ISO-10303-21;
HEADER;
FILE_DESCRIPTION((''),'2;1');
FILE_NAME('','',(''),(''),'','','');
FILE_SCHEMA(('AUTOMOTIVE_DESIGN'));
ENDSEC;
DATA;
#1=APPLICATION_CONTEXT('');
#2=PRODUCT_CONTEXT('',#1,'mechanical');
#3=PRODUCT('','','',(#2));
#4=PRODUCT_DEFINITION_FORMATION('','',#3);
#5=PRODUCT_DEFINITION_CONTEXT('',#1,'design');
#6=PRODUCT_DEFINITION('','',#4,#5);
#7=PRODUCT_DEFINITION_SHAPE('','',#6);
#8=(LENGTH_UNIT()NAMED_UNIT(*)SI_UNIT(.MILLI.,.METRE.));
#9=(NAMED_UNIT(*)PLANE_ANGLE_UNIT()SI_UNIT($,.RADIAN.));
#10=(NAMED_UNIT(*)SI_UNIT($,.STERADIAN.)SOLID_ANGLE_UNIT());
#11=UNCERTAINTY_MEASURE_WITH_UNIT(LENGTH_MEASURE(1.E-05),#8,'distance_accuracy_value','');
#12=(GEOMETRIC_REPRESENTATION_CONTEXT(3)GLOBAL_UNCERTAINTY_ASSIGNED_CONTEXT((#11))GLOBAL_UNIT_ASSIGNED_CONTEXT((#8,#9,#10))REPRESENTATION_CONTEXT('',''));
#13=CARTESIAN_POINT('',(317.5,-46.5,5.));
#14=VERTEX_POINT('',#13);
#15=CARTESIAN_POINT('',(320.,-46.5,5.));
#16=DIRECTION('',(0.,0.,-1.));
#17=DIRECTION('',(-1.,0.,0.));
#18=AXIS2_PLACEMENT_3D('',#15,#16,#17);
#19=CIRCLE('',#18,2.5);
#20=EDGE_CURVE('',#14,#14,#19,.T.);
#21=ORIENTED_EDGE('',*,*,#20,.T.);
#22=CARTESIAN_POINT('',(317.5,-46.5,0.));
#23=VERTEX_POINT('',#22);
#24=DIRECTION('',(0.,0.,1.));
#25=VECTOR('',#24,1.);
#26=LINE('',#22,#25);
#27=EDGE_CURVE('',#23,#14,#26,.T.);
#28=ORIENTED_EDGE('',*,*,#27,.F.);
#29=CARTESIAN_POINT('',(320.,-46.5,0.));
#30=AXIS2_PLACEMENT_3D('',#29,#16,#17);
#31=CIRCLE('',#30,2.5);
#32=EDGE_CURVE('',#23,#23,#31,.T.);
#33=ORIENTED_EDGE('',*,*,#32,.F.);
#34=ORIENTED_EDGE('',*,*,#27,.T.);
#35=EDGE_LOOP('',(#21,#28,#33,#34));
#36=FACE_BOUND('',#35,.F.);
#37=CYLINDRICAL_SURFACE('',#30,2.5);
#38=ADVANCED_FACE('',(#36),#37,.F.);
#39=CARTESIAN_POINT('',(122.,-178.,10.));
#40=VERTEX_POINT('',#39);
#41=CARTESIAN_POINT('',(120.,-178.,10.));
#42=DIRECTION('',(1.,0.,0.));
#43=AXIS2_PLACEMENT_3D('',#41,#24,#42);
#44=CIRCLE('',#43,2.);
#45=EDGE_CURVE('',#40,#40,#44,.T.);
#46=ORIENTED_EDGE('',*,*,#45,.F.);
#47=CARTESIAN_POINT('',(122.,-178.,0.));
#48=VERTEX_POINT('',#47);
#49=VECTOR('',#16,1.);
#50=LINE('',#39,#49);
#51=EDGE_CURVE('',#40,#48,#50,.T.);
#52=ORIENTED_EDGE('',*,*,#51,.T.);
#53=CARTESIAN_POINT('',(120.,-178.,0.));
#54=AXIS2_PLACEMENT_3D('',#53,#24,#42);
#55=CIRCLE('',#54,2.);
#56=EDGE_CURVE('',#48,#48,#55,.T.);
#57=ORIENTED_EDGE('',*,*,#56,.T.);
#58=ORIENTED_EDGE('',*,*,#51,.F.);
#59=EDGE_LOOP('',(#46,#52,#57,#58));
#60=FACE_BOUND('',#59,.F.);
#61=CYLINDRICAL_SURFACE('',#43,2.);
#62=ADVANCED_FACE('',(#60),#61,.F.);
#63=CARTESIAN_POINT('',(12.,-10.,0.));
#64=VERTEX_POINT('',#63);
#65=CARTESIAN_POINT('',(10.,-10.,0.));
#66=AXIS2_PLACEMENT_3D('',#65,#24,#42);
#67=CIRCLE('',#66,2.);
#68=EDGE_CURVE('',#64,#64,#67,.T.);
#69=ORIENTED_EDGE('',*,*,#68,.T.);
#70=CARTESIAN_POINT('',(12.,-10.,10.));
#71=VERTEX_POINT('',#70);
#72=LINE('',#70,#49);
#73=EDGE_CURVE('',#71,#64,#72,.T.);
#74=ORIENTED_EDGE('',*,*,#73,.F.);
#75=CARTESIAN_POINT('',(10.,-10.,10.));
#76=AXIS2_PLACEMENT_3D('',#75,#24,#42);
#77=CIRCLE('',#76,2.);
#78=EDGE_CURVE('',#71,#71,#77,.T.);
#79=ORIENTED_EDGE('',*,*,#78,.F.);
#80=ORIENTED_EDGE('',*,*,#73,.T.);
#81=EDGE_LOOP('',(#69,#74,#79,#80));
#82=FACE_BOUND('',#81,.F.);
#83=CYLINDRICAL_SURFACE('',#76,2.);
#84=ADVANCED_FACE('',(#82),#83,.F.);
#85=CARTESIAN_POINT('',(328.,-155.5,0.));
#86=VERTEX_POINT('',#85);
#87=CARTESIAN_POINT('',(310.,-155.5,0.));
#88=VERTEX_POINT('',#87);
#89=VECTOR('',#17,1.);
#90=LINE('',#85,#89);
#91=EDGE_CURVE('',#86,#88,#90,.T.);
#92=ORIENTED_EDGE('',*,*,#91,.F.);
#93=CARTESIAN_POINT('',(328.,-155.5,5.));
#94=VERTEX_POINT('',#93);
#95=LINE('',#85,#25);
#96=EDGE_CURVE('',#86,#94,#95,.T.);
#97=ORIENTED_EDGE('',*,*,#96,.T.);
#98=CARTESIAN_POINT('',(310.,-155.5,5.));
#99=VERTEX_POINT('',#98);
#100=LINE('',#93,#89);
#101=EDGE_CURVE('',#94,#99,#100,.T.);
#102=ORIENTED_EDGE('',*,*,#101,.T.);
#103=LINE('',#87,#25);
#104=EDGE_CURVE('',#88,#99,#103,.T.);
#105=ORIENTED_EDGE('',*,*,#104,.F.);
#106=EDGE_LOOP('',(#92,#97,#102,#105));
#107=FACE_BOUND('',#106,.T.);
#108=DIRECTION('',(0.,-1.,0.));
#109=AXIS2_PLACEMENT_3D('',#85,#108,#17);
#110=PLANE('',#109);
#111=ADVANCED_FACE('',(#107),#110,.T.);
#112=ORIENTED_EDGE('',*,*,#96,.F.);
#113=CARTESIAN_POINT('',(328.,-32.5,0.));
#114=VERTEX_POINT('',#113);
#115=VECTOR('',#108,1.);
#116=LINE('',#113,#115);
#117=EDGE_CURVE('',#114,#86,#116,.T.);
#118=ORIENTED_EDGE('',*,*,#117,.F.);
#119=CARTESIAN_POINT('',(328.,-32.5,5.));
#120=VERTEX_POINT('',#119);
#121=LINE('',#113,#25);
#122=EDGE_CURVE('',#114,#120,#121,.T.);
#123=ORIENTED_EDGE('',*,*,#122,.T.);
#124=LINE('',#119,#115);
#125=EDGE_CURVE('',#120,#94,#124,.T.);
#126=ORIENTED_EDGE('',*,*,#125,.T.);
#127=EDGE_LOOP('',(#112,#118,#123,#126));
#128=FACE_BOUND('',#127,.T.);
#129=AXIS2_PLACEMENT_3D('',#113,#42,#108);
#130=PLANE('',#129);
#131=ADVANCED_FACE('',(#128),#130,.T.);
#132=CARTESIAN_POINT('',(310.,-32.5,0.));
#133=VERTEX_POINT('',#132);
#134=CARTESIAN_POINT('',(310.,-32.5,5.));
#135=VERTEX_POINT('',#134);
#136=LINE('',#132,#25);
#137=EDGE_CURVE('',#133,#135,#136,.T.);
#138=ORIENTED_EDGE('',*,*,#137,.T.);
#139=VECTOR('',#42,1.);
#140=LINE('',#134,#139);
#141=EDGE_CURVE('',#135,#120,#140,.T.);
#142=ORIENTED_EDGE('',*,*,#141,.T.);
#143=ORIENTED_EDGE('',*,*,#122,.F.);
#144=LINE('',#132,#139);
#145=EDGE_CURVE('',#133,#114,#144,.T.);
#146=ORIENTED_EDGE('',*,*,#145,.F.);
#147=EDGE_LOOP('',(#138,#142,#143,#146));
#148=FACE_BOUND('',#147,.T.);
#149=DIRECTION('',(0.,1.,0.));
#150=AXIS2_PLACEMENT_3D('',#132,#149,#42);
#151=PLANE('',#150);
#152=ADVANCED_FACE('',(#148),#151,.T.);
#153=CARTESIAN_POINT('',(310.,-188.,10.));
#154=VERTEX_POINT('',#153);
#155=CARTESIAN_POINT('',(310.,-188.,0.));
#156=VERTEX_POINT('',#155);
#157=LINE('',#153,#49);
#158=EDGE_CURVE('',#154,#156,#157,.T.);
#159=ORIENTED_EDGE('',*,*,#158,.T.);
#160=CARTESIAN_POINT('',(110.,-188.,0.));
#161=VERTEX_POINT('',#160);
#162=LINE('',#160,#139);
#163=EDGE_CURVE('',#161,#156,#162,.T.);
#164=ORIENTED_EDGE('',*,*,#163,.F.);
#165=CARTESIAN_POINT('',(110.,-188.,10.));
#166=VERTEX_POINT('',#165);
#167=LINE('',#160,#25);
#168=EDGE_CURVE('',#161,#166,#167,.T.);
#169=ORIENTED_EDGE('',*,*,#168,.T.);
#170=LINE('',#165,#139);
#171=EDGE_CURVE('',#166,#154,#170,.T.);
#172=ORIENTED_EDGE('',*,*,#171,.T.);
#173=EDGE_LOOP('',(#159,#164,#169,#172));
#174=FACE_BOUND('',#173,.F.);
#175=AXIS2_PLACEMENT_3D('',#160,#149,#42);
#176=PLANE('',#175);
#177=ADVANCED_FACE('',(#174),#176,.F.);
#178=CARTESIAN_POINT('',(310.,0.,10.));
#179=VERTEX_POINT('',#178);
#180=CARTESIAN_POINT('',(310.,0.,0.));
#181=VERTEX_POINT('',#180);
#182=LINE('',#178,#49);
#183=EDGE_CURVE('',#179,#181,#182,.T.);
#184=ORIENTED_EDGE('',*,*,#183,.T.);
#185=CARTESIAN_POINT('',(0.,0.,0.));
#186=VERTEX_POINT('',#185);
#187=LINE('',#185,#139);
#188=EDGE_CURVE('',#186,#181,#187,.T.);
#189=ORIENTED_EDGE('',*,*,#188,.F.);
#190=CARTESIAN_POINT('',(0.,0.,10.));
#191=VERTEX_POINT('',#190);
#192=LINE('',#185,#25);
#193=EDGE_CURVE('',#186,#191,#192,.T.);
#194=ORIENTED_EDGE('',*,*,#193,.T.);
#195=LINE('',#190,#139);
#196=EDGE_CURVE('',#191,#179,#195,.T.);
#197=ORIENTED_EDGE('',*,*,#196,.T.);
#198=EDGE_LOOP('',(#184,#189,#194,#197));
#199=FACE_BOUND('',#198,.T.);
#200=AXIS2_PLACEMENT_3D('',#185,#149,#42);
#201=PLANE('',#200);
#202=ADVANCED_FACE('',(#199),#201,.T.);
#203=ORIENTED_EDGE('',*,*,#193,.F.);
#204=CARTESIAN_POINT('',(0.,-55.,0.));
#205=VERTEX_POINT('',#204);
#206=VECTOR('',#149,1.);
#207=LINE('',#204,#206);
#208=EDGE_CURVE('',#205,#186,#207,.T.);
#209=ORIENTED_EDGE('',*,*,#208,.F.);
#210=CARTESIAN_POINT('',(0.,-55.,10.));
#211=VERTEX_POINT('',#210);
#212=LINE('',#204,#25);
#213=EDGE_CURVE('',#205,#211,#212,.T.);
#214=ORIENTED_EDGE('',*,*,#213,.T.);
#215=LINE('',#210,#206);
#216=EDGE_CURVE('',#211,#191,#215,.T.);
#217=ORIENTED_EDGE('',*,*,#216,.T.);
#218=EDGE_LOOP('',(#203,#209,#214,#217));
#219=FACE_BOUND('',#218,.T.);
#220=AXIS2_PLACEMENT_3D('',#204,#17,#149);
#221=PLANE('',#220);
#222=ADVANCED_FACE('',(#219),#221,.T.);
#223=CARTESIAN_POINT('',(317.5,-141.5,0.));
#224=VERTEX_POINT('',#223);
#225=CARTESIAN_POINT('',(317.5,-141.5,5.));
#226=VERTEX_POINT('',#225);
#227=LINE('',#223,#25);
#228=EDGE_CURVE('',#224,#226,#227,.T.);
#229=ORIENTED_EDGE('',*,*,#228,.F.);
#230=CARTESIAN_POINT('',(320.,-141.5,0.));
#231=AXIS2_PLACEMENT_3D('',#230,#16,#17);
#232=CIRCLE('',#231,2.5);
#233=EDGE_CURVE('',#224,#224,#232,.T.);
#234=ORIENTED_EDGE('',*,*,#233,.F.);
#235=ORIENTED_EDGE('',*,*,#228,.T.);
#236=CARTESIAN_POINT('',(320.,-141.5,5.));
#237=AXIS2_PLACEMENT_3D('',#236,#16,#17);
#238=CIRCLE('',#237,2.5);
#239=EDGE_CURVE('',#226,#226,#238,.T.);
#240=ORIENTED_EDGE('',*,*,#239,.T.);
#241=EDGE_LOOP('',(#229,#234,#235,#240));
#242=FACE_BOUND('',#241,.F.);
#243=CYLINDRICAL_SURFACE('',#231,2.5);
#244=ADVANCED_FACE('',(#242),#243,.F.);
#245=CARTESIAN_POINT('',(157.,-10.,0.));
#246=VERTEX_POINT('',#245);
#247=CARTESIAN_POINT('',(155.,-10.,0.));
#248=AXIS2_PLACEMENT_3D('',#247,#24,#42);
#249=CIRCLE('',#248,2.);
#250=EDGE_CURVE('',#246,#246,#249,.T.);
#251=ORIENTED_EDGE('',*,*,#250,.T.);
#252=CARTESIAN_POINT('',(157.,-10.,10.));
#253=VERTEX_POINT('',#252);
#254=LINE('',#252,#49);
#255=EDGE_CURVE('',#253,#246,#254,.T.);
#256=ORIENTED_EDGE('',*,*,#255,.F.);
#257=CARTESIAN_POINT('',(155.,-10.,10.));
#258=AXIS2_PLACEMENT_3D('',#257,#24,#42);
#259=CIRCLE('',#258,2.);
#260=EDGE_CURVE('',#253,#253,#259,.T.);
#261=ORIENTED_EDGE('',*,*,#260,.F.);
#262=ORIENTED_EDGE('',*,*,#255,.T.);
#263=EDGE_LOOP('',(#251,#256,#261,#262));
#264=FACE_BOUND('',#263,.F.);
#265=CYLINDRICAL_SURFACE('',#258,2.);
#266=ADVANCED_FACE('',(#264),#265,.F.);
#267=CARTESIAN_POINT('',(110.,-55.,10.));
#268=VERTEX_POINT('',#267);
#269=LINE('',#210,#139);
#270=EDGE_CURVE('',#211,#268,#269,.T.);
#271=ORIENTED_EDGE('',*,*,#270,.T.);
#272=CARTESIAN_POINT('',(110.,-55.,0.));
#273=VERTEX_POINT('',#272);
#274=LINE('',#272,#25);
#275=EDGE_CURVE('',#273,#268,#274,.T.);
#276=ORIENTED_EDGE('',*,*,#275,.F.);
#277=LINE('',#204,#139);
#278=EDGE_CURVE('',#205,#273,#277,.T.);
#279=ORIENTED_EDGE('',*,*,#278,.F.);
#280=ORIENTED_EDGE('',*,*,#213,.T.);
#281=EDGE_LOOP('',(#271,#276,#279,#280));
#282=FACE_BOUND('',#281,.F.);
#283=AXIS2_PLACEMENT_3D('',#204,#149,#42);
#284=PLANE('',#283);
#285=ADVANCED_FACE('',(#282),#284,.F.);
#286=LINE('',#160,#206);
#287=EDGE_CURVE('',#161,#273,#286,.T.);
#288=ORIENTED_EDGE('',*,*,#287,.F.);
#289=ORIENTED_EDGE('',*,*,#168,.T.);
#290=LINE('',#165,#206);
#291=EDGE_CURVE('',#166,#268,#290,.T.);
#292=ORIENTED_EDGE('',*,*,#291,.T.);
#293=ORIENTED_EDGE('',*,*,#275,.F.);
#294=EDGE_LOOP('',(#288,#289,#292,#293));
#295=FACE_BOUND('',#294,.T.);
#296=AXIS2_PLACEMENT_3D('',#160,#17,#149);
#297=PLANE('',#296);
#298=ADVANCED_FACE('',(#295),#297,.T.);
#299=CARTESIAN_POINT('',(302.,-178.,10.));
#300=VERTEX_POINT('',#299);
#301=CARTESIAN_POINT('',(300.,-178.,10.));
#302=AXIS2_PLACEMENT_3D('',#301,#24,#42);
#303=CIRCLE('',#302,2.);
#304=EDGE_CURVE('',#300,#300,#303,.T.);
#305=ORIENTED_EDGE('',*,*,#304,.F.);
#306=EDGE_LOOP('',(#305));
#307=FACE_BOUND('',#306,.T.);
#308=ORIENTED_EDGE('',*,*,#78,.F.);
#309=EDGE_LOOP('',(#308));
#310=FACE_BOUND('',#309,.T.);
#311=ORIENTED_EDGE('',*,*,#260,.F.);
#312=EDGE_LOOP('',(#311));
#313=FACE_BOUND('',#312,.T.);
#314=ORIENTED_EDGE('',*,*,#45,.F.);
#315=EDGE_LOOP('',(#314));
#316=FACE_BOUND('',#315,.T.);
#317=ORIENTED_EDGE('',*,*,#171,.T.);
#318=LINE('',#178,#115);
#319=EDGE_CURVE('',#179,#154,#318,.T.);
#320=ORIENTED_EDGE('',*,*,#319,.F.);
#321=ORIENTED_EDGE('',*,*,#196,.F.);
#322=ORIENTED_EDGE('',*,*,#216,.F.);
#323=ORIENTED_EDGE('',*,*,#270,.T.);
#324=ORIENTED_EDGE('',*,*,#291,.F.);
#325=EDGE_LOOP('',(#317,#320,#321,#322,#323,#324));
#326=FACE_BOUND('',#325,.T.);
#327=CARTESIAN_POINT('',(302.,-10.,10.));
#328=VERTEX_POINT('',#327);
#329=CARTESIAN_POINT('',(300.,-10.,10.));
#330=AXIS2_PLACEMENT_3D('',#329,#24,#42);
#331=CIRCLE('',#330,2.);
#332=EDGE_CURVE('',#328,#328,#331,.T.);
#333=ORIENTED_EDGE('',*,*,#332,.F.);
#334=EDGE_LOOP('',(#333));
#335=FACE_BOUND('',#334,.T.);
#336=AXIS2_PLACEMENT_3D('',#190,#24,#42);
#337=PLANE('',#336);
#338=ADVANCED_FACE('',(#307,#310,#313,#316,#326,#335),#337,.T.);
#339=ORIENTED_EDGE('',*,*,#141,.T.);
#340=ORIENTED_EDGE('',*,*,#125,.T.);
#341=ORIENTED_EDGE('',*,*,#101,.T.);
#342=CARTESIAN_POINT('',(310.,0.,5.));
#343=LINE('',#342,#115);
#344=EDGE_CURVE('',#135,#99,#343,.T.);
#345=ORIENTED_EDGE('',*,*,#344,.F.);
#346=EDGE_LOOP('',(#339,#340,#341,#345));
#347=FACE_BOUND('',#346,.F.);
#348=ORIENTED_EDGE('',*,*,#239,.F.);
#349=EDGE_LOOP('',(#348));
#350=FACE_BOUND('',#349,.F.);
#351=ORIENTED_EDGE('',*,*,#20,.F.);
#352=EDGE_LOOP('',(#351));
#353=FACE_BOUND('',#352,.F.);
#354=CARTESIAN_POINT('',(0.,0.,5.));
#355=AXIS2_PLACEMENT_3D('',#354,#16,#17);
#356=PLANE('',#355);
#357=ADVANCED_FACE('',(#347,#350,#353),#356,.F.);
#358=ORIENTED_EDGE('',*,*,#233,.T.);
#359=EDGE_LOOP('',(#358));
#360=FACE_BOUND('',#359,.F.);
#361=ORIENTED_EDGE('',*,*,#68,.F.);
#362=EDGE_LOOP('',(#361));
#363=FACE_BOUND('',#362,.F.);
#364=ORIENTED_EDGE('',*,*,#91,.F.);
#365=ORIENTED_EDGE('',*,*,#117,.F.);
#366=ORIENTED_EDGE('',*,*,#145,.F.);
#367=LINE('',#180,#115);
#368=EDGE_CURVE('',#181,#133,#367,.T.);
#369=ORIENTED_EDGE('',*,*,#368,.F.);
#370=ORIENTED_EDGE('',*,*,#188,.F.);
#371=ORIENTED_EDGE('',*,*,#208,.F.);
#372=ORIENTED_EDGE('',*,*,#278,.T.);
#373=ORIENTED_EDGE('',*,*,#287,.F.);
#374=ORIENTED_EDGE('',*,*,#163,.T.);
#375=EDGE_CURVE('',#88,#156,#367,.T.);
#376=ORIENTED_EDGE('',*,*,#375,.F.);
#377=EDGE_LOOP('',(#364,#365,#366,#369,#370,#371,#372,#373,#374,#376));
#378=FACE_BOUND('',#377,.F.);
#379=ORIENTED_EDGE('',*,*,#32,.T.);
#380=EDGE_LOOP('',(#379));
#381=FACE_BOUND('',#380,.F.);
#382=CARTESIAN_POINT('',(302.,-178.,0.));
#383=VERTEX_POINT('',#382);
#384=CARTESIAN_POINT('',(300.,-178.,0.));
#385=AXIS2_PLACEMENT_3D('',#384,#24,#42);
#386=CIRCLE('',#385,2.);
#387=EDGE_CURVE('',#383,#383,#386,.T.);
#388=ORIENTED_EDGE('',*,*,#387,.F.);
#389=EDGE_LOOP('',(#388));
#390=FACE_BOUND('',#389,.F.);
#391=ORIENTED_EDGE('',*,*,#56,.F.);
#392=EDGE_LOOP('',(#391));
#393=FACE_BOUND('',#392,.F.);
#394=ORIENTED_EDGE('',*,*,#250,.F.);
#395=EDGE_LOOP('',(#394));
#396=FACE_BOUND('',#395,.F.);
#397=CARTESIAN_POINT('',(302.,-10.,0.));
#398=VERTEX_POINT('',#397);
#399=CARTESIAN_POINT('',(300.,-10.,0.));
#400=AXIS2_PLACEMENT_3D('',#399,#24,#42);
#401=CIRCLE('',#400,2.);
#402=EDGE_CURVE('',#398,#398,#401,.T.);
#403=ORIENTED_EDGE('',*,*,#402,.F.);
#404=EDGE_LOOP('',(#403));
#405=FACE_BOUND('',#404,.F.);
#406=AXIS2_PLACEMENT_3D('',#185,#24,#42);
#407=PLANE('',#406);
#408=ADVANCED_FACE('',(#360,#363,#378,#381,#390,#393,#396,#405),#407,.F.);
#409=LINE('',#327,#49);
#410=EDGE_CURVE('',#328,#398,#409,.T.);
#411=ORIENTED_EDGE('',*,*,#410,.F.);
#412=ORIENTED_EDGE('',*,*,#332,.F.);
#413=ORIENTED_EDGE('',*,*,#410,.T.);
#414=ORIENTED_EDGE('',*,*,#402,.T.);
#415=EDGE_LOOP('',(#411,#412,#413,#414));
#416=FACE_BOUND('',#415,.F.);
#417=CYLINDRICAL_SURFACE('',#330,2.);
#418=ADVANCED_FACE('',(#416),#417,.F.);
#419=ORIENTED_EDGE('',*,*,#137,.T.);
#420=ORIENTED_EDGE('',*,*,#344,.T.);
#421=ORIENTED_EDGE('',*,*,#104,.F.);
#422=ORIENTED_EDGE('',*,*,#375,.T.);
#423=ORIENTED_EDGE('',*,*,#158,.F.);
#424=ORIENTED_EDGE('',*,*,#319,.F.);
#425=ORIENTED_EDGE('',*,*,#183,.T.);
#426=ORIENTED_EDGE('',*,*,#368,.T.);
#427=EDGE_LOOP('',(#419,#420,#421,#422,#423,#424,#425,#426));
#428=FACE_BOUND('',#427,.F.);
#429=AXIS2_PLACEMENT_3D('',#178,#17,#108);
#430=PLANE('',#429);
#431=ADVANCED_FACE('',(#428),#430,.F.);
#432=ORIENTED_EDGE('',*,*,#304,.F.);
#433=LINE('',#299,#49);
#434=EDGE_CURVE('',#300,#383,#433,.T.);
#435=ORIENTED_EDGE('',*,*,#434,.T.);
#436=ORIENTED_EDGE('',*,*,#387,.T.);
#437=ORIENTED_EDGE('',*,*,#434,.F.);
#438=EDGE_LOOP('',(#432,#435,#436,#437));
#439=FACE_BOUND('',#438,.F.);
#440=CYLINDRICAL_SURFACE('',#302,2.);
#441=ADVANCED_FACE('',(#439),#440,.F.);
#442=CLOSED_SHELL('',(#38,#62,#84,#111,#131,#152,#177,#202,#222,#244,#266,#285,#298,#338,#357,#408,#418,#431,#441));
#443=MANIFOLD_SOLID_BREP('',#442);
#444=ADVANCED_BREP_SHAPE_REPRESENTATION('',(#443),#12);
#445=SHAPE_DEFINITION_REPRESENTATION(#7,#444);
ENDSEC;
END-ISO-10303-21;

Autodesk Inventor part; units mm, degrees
ref_plane "YZ Plane" through (0, 0, 0) normal (1, 0, 0) x (0, 1, 0)
ref_plane "XZ Plane" through (0, 0, 0) normal (0, 1, 0) x (-1, 0, 0)
ref_plane "XY Plane" through (0, 0, 0) normal (0, 0, 1) x (1, 0, 0)
sketch "Sketch1" plane through (0, 0, 0) normal (0, 0, 1) x (1, 0, 0)
  line L0 (0, 0) -> (620, 0)
  line L1 (110, -188) -> (510, -188)
  line L2 (510, -188) -> (510, -55)
  line L3 (510, -55) -> (620, -55)
  line L4 (620, -55) -> (620, 0)
  line L5 (110, -188) -> (110, -55)
  line L6 (0, -55) -> (0, 0)
  line L7 (0, -55) -> (110, -55)
  point P0 (310, -188)
  point P1 (310, 0)
  dimension "d0" = 620
  dimension "d1" = 188
  dimension "d2" = 400
  dimension "d3" = 133
extrude "Extrusion1" add sketch "Sketch1" along normal blind 10
sketch "Sketch2" plane through (0, 0, 10) normal (0, 0, 1) x (1, 0, 0)
  line L0 (620, 0) -> (0, 0) projected
  line L1 (510, -188) -> (110, -188) projected
  line L2 (620, 0) -> (310, 0)
  line L3 (310, 0) -> (310, -188)
  line L4 (310, -188) -> (620, -188)
  line L5 (620, -188) -> (620, 0)
extrude "Extrusion2" cut sketch "Sketch2" against normal through all
sketch "Sketch3" plane through (0, 0, 10) normal (0, 0, 1) x (1, 0, 0)
  circle A0 centre (10, -10) radius 2
  line L0 (310, 0) -> (0, 0) projected
  line L1 (0, 0) -> (0, -55) projected
  circle A1 centre (155, -10) radius 2
  circle A2 centre (300, -10) radius 2
  line L2 (310, -188) -> (310, 0) projected
  line L3 (10, -10) -> (300, -10) construction
  circle A3 centre (120, -178) radius 2
  line L4 (110, -55) -> (110, -188) projected
  line L5 (110, -188) -> (310, -188) projected
  circle A4 centre (300, -178) radius 2
  dimension "d8" = 4
  dimension "d9" = 10
  dimension "d10" = 10
  dimension "d11" = 4
  dimension "d12" = 4
  dimension "d13" = 10
  dimension "d14" = 4
  dimension "d15" = 10
  dimension "d16" = 10
  dimension "d17" = 4
  dimension "d18" = 10
  dimension "d19" = 10
extrude "Extrusion3" cut sketch "Sketch3" against normal through all
sketch "Sketch4" plane through (0, 0, 0) normal (0, 0, -1) x (-1, 0, 0)
  line L0 (-310, 0) -> (-310, -188) projected
  line L1 (-310, -32.5) -> (-328, -32.5)
  line L2 (-328, -32.5) -> (-328, -155.5)
  line L3 (-328, -155.5) -> (-310, -155.5)
  line L4 (-310, -155.5) -> (-310, -32.5)
  circle A0 centre (-320, -46.5) radius 2.5
  circle A1 centre (-320, -141.5) radius 2.5
  line L5 (-320, -46.5) -> (-320, -141.5) construction
  point P0 (0, 0)
  point P1 (-310, -94)
  point P2 (-320, -94)
  dimension "d22" = 18
  dimension "d23" = 123
  dimension "d24" = 5
  dimension "d25" = 5
  dimension "d26" = 10
  dimension "d27" = 95
extrude "Extrusion4" add sketch "Sketch4" against normal blind 5
properties part number "SP001b" material "ABS Plastic"
